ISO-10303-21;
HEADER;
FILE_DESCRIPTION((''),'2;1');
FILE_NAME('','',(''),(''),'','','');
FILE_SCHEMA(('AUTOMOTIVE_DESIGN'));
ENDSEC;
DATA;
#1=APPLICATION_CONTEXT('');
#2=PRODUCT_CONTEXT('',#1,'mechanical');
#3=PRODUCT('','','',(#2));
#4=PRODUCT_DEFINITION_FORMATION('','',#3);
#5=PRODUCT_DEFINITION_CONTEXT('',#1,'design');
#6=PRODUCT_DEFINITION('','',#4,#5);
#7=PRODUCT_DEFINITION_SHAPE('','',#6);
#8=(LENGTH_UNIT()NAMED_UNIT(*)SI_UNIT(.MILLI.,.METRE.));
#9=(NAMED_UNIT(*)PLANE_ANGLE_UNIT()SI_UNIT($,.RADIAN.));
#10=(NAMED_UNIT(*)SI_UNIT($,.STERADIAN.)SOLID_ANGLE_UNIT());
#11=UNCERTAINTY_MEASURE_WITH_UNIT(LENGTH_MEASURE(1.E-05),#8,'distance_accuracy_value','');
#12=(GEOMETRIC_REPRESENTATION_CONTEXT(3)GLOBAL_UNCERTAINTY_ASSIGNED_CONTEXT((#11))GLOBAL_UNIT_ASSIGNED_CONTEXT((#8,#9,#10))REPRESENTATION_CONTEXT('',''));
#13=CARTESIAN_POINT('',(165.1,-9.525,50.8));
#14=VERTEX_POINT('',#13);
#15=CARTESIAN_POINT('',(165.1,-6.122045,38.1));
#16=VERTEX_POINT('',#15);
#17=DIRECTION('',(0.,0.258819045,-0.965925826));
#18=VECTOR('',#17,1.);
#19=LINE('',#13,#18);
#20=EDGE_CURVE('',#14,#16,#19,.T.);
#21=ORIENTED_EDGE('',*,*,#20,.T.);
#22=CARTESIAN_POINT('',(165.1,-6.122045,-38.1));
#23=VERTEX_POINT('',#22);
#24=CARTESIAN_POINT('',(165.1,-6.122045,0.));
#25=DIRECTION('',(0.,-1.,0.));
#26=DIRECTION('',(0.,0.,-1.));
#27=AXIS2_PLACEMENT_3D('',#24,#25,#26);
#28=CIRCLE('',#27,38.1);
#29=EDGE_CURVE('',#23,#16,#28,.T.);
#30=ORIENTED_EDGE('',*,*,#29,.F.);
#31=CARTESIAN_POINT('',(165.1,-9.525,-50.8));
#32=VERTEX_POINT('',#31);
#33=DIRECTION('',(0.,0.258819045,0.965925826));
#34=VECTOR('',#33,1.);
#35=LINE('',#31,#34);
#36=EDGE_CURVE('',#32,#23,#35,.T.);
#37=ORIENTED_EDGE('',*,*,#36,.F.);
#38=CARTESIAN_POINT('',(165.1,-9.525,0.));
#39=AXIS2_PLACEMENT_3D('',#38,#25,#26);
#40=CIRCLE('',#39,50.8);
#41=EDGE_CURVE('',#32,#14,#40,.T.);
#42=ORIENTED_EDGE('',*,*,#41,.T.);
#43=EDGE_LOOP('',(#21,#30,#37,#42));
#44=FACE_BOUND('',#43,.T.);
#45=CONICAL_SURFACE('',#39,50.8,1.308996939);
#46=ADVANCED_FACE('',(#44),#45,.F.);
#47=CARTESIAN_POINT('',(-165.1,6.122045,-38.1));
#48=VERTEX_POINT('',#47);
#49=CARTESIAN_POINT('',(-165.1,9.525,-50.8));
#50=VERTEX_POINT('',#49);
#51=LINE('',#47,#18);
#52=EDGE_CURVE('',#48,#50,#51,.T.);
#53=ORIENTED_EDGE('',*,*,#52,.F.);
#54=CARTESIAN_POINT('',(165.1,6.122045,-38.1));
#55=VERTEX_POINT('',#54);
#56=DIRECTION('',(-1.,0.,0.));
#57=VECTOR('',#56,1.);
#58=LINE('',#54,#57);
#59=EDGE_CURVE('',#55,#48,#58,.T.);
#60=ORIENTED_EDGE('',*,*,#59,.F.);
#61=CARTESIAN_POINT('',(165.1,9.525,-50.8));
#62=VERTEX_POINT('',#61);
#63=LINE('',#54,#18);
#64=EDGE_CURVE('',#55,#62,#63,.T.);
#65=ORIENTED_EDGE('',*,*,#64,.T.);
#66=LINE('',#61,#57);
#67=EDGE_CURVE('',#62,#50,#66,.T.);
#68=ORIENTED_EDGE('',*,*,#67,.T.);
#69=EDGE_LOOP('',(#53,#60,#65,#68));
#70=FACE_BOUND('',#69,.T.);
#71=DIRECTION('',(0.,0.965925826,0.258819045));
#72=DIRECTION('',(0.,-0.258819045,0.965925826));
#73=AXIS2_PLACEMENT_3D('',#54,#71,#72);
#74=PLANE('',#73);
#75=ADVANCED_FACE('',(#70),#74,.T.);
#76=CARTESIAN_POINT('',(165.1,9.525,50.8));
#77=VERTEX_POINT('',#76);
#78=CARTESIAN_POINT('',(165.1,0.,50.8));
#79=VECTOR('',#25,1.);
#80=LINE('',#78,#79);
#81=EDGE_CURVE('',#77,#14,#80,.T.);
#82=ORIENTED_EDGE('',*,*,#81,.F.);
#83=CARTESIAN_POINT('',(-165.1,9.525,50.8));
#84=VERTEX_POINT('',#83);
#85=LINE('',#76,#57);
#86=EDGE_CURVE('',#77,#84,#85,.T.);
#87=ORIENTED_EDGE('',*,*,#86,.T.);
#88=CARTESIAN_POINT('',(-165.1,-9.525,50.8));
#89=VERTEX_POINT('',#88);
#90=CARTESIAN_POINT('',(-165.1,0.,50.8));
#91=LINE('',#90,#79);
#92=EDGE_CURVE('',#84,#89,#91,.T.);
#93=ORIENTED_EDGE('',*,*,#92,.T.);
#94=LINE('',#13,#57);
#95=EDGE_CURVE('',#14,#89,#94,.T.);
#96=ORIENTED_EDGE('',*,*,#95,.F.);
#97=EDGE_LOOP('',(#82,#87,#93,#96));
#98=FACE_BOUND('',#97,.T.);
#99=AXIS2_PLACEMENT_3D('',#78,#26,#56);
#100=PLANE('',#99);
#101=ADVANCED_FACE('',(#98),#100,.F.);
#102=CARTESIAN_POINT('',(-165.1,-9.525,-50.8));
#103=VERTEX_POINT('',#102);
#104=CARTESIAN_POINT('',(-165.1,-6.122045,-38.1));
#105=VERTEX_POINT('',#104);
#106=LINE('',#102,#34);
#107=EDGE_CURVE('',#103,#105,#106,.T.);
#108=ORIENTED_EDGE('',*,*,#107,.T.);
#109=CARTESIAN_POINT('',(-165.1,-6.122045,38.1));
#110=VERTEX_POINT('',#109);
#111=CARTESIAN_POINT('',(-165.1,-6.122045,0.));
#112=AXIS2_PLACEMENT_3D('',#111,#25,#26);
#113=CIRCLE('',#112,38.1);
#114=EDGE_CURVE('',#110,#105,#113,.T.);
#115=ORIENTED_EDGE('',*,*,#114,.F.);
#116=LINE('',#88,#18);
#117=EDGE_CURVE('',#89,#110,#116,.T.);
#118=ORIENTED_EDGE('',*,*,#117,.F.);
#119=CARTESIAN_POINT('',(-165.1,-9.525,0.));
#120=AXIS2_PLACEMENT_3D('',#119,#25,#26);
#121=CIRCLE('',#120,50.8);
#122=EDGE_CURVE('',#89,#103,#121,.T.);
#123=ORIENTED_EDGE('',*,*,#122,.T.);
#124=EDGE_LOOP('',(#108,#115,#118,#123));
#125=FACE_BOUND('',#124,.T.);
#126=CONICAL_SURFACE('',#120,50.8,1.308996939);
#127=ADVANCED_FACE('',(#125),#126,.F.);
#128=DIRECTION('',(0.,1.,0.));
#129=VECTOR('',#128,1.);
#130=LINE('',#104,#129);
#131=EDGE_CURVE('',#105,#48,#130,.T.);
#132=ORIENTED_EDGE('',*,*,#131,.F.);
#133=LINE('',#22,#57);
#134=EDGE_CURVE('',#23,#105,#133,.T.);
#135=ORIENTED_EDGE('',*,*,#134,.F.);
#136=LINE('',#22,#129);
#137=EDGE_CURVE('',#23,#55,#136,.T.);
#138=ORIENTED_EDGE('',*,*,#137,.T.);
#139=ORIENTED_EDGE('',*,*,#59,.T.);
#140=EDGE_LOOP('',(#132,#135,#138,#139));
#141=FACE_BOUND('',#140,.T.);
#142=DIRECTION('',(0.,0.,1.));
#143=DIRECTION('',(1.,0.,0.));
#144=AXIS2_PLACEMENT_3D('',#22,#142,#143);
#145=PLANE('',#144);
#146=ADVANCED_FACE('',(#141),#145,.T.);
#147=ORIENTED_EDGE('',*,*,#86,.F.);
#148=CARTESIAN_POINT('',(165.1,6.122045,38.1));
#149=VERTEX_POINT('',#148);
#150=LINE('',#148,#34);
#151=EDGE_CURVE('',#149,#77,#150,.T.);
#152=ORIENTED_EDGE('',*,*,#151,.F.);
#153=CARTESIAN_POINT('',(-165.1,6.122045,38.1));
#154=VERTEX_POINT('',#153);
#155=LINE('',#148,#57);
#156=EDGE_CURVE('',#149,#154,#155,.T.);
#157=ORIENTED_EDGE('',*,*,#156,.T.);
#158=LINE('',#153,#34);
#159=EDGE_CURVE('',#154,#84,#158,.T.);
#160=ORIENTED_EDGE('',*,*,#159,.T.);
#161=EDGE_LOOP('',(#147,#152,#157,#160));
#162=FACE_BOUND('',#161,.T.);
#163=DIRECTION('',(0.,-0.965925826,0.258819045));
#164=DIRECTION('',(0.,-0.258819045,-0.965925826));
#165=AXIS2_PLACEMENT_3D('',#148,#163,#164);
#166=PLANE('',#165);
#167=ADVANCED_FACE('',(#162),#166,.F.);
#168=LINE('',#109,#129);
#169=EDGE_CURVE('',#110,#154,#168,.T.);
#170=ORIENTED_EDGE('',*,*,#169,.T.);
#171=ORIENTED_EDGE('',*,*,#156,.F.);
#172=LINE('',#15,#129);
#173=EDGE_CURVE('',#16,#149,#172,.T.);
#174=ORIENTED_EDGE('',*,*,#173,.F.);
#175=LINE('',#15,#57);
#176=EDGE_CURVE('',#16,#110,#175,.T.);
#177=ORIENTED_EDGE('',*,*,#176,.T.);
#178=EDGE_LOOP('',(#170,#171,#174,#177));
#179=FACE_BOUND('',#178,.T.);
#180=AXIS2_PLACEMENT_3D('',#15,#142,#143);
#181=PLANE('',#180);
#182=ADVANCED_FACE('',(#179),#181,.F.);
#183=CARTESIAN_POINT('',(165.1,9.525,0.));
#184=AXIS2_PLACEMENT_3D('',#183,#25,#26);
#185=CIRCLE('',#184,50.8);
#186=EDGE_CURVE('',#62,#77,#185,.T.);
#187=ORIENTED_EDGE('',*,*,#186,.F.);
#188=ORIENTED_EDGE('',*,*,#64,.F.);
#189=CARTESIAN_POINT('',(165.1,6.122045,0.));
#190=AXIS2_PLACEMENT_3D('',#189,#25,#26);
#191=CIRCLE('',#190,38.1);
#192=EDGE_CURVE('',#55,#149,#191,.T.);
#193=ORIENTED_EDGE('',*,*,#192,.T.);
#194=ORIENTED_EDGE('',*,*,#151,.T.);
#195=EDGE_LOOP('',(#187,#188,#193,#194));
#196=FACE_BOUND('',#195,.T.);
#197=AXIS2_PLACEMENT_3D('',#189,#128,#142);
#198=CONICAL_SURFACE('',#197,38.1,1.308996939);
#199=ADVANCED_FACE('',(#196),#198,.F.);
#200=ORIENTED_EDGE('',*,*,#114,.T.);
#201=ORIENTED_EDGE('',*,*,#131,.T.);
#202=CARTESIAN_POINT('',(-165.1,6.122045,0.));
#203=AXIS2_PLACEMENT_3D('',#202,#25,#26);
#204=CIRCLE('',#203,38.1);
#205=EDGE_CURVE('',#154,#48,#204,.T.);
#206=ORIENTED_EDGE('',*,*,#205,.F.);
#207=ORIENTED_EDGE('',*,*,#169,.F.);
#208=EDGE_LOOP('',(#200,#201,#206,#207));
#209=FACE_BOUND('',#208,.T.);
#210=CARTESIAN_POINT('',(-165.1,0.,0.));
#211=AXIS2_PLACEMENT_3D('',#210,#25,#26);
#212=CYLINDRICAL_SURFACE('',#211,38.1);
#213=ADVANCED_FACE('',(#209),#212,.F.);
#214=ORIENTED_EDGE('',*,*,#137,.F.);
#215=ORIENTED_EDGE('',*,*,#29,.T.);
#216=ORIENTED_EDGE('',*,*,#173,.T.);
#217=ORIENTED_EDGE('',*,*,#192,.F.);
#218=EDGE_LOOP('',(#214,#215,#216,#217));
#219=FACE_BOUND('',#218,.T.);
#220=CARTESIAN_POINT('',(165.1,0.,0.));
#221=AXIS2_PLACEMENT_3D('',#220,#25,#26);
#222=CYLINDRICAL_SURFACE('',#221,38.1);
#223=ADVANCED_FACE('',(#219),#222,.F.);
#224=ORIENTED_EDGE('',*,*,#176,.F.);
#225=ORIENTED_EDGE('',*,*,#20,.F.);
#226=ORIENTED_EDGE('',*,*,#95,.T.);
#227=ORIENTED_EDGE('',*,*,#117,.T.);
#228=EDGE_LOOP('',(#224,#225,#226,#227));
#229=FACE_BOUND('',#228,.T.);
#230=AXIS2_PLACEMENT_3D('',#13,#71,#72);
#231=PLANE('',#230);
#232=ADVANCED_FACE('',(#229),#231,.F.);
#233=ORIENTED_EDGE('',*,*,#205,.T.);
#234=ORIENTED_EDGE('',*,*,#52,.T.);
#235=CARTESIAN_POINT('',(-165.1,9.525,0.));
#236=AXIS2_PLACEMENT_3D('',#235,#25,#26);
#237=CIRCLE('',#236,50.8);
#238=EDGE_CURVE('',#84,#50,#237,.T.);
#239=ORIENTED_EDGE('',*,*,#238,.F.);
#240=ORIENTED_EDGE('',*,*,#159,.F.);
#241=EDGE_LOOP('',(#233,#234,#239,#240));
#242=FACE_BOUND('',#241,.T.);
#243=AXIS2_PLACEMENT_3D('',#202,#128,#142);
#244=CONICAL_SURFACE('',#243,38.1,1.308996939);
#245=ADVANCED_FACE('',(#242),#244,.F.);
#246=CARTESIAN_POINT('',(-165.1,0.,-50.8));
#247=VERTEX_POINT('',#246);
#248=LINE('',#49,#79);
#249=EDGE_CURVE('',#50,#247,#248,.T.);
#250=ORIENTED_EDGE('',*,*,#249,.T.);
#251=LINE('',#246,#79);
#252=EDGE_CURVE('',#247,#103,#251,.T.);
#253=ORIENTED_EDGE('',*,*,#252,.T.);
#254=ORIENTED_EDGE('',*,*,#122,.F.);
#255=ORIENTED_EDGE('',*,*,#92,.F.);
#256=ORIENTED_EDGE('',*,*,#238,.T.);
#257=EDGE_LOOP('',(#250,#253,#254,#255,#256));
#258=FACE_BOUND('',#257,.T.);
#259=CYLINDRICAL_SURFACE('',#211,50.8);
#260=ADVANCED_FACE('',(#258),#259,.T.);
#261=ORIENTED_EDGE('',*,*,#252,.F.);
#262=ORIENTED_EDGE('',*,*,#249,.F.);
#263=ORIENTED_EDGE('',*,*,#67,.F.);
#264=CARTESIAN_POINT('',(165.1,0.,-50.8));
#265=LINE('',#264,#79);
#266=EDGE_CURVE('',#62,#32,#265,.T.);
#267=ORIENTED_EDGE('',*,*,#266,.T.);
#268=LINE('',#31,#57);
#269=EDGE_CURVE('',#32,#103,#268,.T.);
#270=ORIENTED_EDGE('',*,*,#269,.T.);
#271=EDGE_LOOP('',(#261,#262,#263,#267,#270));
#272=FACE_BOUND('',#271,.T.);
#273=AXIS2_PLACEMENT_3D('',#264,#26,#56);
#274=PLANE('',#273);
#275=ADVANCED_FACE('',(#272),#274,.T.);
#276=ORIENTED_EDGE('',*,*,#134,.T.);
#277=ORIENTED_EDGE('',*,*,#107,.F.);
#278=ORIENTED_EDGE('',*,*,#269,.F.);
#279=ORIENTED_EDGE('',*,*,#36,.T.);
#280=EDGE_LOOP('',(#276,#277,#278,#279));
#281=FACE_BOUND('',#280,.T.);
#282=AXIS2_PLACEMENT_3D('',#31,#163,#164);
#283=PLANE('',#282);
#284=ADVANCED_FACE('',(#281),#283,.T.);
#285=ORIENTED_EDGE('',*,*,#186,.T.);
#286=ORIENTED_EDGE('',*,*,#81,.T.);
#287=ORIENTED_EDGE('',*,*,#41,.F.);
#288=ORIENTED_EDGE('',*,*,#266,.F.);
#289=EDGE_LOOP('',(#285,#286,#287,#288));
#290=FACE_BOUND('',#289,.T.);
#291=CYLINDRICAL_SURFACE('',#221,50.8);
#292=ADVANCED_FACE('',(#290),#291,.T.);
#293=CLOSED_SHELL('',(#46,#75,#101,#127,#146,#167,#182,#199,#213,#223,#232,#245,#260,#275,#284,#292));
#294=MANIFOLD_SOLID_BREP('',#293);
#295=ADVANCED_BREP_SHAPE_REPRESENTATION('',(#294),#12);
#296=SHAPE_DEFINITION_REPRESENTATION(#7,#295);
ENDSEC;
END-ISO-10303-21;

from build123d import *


with BuildPart() as part:
    # Sweep1: sweep along a path in Sketch1
    with BuildLine(Plane(origin=(0, 0, 0), x_dir=(1, 0, 0), z_dir=(0, 1, 0))) as sweep1_path:
        Line((165.1, -50.8), (-165.1, -50.8))
        ThreePointArc((-165.1, -50.8), (-215.9, 0), (-165.1, 50.8))
        Line((-165.1, 50.8), (165.1, 50.8))
        ThreePointArc((165.1, 50.8), (215.9, 0), (165.1, -50.8))
    # Sketch2 → Sweep1 (sweep)
    with BuildSketch(Plane(origin=(-165.1, 0, -50.8), x_dir=(0, 0, 1), z_dir=(-1, 0, 0))):
        Polygon((0, 0), (0, 9.525), (12.7, 6.122045256), (12.7, -6.122045256), (0, -9.525), align=None)
    sweep(path=sweep1_path.line)


solid = part.part
